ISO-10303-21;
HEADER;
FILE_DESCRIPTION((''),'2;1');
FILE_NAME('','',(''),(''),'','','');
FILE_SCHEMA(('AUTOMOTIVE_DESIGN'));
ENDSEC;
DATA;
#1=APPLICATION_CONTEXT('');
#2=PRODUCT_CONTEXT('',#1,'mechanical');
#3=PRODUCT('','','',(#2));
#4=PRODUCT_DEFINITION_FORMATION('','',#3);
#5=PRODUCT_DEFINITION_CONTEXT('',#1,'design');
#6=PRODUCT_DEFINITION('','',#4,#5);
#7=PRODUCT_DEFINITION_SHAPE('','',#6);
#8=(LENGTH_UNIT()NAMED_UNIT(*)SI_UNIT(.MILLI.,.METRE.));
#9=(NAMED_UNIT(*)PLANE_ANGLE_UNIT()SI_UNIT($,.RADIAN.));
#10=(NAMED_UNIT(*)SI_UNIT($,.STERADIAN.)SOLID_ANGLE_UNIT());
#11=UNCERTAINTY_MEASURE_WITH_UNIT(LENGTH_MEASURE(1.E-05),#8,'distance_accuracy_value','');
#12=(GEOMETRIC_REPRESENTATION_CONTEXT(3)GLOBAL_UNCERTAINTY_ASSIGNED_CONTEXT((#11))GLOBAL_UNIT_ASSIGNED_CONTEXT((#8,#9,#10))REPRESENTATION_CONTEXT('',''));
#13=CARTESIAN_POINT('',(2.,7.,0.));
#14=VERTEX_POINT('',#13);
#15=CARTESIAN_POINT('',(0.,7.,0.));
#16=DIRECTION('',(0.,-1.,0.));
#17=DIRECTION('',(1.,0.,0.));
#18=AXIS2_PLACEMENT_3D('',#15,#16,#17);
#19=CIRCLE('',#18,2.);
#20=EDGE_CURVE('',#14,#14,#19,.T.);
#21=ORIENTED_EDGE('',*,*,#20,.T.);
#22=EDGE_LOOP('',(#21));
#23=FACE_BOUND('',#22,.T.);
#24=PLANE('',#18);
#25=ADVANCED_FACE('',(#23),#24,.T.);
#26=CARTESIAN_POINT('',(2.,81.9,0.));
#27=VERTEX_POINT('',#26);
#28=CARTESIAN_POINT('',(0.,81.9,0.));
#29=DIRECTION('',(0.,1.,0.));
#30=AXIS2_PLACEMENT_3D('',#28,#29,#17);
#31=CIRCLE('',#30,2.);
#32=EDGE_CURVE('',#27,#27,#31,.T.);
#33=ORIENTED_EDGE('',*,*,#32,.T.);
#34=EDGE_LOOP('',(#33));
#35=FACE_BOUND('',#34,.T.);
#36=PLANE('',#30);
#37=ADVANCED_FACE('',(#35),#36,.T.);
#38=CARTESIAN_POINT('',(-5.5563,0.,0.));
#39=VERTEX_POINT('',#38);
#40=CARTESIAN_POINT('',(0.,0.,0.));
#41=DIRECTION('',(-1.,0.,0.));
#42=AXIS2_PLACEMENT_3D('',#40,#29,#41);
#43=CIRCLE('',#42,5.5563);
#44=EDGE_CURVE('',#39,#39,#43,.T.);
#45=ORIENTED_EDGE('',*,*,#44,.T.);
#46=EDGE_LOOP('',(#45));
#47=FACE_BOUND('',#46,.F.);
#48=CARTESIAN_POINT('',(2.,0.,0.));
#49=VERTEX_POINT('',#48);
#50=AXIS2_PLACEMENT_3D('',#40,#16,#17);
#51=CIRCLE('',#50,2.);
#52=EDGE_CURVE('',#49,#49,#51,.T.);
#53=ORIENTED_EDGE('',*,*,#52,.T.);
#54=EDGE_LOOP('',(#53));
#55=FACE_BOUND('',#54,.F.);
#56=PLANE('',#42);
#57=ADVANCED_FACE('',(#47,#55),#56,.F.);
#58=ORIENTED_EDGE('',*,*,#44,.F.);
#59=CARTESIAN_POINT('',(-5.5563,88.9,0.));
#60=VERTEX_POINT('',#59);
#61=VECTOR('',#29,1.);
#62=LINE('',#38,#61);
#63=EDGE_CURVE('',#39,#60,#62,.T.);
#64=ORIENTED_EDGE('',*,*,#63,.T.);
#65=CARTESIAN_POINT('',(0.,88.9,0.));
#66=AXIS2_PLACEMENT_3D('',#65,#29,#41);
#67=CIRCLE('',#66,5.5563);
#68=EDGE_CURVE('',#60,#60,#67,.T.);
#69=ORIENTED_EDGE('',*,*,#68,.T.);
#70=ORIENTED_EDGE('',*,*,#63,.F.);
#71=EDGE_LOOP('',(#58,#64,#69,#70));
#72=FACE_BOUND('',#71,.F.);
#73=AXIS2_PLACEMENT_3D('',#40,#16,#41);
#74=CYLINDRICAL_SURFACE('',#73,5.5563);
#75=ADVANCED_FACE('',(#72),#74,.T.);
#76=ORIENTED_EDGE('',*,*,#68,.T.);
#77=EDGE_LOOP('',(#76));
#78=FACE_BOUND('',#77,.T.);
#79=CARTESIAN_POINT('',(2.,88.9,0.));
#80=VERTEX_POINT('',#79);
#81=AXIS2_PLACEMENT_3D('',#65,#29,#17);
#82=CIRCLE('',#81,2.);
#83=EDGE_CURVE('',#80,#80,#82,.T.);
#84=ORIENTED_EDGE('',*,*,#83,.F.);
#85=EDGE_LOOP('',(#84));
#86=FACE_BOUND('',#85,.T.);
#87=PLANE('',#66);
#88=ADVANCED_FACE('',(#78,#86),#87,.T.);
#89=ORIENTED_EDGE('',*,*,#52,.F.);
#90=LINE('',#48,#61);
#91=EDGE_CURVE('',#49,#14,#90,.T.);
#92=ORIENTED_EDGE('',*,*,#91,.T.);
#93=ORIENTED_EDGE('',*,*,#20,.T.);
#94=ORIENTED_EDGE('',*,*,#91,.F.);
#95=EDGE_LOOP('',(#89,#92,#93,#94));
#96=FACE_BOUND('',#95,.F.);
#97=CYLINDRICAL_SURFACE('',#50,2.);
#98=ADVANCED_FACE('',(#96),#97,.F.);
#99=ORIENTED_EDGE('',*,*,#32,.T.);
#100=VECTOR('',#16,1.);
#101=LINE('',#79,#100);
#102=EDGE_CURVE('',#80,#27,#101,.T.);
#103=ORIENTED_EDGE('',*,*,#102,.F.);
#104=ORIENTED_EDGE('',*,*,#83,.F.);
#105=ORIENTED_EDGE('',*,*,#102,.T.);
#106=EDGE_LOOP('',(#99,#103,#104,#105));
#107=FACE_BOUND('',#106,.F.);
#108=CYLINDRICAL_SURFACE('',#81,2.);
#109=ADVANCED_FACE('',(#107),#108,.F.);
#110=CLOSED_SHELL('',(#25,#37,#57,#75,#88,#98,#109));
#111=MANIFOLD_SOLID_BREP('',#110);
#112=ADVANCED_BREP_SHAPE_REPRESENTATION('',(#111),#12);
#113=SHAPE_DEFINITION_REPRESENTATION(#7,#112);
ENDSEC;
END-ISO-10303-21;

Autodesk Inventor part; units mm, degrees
ref_plane "YZ Plane" through (0, 0, 0) normal (1, 0, 0) x (0, 1, 0)
ref_plane "XZ Plane" through (0, 0, 0) normal (0, 1, 0) x (-1, 0, 0)
ref_plane "XY Plane" through (0, 0, 0) normal (0, 0, 1) x (1, 0, 0)
sketch "Sketch1" plane through (0, 0, 0) normal (0, 1, 0) x (-1, 0, 0)
  circle A0 centre (0, 0) radius 5.5563
  dimension "d0" = 11.1125
extrude "Extrusion1" add sketch "Sketch1" along normal blind 88.9
sketch "Sketch2" plane through (0, 88.9, 0) normal (0, 1, 0) x (1, 0, 0)
  circle A0 centre (0, 0) radius 2
  dimension "d3" = 4
extrude "Extrusion2" cut sketch "Sketch2" against normal blind 7
sketch "Sketch3" plane through (0, 0, 0) normal (0, -1, 0) x (1, 0, 0)
  circle A0 centre (0, 0) radius 2
  dimension "d6" = 4
extrude "Extrusion3" cut sketch "Sketch3" against normal blind 7
equation "\"d3\" = m3_heat_set_insert"
equation "\"d4\" = m3_heat_set_depth"
equation "\"d6\" = m3_heat_set_insert"
equation "\"d7\" = m3_heat_set_depth"
equation "\"m3_heat_set_insert\" = 4"
equation "\"m3_clearance\" = 3.4"
equation "\"m3_heat_set_depth\" = 7"
equation "\"robot_diameter\" = 354"
equation "\"hardboard_thickness\" = 5"
equation "\"motor_centerline_height\" = 13"
properties part number "3.5inch_standoff"
